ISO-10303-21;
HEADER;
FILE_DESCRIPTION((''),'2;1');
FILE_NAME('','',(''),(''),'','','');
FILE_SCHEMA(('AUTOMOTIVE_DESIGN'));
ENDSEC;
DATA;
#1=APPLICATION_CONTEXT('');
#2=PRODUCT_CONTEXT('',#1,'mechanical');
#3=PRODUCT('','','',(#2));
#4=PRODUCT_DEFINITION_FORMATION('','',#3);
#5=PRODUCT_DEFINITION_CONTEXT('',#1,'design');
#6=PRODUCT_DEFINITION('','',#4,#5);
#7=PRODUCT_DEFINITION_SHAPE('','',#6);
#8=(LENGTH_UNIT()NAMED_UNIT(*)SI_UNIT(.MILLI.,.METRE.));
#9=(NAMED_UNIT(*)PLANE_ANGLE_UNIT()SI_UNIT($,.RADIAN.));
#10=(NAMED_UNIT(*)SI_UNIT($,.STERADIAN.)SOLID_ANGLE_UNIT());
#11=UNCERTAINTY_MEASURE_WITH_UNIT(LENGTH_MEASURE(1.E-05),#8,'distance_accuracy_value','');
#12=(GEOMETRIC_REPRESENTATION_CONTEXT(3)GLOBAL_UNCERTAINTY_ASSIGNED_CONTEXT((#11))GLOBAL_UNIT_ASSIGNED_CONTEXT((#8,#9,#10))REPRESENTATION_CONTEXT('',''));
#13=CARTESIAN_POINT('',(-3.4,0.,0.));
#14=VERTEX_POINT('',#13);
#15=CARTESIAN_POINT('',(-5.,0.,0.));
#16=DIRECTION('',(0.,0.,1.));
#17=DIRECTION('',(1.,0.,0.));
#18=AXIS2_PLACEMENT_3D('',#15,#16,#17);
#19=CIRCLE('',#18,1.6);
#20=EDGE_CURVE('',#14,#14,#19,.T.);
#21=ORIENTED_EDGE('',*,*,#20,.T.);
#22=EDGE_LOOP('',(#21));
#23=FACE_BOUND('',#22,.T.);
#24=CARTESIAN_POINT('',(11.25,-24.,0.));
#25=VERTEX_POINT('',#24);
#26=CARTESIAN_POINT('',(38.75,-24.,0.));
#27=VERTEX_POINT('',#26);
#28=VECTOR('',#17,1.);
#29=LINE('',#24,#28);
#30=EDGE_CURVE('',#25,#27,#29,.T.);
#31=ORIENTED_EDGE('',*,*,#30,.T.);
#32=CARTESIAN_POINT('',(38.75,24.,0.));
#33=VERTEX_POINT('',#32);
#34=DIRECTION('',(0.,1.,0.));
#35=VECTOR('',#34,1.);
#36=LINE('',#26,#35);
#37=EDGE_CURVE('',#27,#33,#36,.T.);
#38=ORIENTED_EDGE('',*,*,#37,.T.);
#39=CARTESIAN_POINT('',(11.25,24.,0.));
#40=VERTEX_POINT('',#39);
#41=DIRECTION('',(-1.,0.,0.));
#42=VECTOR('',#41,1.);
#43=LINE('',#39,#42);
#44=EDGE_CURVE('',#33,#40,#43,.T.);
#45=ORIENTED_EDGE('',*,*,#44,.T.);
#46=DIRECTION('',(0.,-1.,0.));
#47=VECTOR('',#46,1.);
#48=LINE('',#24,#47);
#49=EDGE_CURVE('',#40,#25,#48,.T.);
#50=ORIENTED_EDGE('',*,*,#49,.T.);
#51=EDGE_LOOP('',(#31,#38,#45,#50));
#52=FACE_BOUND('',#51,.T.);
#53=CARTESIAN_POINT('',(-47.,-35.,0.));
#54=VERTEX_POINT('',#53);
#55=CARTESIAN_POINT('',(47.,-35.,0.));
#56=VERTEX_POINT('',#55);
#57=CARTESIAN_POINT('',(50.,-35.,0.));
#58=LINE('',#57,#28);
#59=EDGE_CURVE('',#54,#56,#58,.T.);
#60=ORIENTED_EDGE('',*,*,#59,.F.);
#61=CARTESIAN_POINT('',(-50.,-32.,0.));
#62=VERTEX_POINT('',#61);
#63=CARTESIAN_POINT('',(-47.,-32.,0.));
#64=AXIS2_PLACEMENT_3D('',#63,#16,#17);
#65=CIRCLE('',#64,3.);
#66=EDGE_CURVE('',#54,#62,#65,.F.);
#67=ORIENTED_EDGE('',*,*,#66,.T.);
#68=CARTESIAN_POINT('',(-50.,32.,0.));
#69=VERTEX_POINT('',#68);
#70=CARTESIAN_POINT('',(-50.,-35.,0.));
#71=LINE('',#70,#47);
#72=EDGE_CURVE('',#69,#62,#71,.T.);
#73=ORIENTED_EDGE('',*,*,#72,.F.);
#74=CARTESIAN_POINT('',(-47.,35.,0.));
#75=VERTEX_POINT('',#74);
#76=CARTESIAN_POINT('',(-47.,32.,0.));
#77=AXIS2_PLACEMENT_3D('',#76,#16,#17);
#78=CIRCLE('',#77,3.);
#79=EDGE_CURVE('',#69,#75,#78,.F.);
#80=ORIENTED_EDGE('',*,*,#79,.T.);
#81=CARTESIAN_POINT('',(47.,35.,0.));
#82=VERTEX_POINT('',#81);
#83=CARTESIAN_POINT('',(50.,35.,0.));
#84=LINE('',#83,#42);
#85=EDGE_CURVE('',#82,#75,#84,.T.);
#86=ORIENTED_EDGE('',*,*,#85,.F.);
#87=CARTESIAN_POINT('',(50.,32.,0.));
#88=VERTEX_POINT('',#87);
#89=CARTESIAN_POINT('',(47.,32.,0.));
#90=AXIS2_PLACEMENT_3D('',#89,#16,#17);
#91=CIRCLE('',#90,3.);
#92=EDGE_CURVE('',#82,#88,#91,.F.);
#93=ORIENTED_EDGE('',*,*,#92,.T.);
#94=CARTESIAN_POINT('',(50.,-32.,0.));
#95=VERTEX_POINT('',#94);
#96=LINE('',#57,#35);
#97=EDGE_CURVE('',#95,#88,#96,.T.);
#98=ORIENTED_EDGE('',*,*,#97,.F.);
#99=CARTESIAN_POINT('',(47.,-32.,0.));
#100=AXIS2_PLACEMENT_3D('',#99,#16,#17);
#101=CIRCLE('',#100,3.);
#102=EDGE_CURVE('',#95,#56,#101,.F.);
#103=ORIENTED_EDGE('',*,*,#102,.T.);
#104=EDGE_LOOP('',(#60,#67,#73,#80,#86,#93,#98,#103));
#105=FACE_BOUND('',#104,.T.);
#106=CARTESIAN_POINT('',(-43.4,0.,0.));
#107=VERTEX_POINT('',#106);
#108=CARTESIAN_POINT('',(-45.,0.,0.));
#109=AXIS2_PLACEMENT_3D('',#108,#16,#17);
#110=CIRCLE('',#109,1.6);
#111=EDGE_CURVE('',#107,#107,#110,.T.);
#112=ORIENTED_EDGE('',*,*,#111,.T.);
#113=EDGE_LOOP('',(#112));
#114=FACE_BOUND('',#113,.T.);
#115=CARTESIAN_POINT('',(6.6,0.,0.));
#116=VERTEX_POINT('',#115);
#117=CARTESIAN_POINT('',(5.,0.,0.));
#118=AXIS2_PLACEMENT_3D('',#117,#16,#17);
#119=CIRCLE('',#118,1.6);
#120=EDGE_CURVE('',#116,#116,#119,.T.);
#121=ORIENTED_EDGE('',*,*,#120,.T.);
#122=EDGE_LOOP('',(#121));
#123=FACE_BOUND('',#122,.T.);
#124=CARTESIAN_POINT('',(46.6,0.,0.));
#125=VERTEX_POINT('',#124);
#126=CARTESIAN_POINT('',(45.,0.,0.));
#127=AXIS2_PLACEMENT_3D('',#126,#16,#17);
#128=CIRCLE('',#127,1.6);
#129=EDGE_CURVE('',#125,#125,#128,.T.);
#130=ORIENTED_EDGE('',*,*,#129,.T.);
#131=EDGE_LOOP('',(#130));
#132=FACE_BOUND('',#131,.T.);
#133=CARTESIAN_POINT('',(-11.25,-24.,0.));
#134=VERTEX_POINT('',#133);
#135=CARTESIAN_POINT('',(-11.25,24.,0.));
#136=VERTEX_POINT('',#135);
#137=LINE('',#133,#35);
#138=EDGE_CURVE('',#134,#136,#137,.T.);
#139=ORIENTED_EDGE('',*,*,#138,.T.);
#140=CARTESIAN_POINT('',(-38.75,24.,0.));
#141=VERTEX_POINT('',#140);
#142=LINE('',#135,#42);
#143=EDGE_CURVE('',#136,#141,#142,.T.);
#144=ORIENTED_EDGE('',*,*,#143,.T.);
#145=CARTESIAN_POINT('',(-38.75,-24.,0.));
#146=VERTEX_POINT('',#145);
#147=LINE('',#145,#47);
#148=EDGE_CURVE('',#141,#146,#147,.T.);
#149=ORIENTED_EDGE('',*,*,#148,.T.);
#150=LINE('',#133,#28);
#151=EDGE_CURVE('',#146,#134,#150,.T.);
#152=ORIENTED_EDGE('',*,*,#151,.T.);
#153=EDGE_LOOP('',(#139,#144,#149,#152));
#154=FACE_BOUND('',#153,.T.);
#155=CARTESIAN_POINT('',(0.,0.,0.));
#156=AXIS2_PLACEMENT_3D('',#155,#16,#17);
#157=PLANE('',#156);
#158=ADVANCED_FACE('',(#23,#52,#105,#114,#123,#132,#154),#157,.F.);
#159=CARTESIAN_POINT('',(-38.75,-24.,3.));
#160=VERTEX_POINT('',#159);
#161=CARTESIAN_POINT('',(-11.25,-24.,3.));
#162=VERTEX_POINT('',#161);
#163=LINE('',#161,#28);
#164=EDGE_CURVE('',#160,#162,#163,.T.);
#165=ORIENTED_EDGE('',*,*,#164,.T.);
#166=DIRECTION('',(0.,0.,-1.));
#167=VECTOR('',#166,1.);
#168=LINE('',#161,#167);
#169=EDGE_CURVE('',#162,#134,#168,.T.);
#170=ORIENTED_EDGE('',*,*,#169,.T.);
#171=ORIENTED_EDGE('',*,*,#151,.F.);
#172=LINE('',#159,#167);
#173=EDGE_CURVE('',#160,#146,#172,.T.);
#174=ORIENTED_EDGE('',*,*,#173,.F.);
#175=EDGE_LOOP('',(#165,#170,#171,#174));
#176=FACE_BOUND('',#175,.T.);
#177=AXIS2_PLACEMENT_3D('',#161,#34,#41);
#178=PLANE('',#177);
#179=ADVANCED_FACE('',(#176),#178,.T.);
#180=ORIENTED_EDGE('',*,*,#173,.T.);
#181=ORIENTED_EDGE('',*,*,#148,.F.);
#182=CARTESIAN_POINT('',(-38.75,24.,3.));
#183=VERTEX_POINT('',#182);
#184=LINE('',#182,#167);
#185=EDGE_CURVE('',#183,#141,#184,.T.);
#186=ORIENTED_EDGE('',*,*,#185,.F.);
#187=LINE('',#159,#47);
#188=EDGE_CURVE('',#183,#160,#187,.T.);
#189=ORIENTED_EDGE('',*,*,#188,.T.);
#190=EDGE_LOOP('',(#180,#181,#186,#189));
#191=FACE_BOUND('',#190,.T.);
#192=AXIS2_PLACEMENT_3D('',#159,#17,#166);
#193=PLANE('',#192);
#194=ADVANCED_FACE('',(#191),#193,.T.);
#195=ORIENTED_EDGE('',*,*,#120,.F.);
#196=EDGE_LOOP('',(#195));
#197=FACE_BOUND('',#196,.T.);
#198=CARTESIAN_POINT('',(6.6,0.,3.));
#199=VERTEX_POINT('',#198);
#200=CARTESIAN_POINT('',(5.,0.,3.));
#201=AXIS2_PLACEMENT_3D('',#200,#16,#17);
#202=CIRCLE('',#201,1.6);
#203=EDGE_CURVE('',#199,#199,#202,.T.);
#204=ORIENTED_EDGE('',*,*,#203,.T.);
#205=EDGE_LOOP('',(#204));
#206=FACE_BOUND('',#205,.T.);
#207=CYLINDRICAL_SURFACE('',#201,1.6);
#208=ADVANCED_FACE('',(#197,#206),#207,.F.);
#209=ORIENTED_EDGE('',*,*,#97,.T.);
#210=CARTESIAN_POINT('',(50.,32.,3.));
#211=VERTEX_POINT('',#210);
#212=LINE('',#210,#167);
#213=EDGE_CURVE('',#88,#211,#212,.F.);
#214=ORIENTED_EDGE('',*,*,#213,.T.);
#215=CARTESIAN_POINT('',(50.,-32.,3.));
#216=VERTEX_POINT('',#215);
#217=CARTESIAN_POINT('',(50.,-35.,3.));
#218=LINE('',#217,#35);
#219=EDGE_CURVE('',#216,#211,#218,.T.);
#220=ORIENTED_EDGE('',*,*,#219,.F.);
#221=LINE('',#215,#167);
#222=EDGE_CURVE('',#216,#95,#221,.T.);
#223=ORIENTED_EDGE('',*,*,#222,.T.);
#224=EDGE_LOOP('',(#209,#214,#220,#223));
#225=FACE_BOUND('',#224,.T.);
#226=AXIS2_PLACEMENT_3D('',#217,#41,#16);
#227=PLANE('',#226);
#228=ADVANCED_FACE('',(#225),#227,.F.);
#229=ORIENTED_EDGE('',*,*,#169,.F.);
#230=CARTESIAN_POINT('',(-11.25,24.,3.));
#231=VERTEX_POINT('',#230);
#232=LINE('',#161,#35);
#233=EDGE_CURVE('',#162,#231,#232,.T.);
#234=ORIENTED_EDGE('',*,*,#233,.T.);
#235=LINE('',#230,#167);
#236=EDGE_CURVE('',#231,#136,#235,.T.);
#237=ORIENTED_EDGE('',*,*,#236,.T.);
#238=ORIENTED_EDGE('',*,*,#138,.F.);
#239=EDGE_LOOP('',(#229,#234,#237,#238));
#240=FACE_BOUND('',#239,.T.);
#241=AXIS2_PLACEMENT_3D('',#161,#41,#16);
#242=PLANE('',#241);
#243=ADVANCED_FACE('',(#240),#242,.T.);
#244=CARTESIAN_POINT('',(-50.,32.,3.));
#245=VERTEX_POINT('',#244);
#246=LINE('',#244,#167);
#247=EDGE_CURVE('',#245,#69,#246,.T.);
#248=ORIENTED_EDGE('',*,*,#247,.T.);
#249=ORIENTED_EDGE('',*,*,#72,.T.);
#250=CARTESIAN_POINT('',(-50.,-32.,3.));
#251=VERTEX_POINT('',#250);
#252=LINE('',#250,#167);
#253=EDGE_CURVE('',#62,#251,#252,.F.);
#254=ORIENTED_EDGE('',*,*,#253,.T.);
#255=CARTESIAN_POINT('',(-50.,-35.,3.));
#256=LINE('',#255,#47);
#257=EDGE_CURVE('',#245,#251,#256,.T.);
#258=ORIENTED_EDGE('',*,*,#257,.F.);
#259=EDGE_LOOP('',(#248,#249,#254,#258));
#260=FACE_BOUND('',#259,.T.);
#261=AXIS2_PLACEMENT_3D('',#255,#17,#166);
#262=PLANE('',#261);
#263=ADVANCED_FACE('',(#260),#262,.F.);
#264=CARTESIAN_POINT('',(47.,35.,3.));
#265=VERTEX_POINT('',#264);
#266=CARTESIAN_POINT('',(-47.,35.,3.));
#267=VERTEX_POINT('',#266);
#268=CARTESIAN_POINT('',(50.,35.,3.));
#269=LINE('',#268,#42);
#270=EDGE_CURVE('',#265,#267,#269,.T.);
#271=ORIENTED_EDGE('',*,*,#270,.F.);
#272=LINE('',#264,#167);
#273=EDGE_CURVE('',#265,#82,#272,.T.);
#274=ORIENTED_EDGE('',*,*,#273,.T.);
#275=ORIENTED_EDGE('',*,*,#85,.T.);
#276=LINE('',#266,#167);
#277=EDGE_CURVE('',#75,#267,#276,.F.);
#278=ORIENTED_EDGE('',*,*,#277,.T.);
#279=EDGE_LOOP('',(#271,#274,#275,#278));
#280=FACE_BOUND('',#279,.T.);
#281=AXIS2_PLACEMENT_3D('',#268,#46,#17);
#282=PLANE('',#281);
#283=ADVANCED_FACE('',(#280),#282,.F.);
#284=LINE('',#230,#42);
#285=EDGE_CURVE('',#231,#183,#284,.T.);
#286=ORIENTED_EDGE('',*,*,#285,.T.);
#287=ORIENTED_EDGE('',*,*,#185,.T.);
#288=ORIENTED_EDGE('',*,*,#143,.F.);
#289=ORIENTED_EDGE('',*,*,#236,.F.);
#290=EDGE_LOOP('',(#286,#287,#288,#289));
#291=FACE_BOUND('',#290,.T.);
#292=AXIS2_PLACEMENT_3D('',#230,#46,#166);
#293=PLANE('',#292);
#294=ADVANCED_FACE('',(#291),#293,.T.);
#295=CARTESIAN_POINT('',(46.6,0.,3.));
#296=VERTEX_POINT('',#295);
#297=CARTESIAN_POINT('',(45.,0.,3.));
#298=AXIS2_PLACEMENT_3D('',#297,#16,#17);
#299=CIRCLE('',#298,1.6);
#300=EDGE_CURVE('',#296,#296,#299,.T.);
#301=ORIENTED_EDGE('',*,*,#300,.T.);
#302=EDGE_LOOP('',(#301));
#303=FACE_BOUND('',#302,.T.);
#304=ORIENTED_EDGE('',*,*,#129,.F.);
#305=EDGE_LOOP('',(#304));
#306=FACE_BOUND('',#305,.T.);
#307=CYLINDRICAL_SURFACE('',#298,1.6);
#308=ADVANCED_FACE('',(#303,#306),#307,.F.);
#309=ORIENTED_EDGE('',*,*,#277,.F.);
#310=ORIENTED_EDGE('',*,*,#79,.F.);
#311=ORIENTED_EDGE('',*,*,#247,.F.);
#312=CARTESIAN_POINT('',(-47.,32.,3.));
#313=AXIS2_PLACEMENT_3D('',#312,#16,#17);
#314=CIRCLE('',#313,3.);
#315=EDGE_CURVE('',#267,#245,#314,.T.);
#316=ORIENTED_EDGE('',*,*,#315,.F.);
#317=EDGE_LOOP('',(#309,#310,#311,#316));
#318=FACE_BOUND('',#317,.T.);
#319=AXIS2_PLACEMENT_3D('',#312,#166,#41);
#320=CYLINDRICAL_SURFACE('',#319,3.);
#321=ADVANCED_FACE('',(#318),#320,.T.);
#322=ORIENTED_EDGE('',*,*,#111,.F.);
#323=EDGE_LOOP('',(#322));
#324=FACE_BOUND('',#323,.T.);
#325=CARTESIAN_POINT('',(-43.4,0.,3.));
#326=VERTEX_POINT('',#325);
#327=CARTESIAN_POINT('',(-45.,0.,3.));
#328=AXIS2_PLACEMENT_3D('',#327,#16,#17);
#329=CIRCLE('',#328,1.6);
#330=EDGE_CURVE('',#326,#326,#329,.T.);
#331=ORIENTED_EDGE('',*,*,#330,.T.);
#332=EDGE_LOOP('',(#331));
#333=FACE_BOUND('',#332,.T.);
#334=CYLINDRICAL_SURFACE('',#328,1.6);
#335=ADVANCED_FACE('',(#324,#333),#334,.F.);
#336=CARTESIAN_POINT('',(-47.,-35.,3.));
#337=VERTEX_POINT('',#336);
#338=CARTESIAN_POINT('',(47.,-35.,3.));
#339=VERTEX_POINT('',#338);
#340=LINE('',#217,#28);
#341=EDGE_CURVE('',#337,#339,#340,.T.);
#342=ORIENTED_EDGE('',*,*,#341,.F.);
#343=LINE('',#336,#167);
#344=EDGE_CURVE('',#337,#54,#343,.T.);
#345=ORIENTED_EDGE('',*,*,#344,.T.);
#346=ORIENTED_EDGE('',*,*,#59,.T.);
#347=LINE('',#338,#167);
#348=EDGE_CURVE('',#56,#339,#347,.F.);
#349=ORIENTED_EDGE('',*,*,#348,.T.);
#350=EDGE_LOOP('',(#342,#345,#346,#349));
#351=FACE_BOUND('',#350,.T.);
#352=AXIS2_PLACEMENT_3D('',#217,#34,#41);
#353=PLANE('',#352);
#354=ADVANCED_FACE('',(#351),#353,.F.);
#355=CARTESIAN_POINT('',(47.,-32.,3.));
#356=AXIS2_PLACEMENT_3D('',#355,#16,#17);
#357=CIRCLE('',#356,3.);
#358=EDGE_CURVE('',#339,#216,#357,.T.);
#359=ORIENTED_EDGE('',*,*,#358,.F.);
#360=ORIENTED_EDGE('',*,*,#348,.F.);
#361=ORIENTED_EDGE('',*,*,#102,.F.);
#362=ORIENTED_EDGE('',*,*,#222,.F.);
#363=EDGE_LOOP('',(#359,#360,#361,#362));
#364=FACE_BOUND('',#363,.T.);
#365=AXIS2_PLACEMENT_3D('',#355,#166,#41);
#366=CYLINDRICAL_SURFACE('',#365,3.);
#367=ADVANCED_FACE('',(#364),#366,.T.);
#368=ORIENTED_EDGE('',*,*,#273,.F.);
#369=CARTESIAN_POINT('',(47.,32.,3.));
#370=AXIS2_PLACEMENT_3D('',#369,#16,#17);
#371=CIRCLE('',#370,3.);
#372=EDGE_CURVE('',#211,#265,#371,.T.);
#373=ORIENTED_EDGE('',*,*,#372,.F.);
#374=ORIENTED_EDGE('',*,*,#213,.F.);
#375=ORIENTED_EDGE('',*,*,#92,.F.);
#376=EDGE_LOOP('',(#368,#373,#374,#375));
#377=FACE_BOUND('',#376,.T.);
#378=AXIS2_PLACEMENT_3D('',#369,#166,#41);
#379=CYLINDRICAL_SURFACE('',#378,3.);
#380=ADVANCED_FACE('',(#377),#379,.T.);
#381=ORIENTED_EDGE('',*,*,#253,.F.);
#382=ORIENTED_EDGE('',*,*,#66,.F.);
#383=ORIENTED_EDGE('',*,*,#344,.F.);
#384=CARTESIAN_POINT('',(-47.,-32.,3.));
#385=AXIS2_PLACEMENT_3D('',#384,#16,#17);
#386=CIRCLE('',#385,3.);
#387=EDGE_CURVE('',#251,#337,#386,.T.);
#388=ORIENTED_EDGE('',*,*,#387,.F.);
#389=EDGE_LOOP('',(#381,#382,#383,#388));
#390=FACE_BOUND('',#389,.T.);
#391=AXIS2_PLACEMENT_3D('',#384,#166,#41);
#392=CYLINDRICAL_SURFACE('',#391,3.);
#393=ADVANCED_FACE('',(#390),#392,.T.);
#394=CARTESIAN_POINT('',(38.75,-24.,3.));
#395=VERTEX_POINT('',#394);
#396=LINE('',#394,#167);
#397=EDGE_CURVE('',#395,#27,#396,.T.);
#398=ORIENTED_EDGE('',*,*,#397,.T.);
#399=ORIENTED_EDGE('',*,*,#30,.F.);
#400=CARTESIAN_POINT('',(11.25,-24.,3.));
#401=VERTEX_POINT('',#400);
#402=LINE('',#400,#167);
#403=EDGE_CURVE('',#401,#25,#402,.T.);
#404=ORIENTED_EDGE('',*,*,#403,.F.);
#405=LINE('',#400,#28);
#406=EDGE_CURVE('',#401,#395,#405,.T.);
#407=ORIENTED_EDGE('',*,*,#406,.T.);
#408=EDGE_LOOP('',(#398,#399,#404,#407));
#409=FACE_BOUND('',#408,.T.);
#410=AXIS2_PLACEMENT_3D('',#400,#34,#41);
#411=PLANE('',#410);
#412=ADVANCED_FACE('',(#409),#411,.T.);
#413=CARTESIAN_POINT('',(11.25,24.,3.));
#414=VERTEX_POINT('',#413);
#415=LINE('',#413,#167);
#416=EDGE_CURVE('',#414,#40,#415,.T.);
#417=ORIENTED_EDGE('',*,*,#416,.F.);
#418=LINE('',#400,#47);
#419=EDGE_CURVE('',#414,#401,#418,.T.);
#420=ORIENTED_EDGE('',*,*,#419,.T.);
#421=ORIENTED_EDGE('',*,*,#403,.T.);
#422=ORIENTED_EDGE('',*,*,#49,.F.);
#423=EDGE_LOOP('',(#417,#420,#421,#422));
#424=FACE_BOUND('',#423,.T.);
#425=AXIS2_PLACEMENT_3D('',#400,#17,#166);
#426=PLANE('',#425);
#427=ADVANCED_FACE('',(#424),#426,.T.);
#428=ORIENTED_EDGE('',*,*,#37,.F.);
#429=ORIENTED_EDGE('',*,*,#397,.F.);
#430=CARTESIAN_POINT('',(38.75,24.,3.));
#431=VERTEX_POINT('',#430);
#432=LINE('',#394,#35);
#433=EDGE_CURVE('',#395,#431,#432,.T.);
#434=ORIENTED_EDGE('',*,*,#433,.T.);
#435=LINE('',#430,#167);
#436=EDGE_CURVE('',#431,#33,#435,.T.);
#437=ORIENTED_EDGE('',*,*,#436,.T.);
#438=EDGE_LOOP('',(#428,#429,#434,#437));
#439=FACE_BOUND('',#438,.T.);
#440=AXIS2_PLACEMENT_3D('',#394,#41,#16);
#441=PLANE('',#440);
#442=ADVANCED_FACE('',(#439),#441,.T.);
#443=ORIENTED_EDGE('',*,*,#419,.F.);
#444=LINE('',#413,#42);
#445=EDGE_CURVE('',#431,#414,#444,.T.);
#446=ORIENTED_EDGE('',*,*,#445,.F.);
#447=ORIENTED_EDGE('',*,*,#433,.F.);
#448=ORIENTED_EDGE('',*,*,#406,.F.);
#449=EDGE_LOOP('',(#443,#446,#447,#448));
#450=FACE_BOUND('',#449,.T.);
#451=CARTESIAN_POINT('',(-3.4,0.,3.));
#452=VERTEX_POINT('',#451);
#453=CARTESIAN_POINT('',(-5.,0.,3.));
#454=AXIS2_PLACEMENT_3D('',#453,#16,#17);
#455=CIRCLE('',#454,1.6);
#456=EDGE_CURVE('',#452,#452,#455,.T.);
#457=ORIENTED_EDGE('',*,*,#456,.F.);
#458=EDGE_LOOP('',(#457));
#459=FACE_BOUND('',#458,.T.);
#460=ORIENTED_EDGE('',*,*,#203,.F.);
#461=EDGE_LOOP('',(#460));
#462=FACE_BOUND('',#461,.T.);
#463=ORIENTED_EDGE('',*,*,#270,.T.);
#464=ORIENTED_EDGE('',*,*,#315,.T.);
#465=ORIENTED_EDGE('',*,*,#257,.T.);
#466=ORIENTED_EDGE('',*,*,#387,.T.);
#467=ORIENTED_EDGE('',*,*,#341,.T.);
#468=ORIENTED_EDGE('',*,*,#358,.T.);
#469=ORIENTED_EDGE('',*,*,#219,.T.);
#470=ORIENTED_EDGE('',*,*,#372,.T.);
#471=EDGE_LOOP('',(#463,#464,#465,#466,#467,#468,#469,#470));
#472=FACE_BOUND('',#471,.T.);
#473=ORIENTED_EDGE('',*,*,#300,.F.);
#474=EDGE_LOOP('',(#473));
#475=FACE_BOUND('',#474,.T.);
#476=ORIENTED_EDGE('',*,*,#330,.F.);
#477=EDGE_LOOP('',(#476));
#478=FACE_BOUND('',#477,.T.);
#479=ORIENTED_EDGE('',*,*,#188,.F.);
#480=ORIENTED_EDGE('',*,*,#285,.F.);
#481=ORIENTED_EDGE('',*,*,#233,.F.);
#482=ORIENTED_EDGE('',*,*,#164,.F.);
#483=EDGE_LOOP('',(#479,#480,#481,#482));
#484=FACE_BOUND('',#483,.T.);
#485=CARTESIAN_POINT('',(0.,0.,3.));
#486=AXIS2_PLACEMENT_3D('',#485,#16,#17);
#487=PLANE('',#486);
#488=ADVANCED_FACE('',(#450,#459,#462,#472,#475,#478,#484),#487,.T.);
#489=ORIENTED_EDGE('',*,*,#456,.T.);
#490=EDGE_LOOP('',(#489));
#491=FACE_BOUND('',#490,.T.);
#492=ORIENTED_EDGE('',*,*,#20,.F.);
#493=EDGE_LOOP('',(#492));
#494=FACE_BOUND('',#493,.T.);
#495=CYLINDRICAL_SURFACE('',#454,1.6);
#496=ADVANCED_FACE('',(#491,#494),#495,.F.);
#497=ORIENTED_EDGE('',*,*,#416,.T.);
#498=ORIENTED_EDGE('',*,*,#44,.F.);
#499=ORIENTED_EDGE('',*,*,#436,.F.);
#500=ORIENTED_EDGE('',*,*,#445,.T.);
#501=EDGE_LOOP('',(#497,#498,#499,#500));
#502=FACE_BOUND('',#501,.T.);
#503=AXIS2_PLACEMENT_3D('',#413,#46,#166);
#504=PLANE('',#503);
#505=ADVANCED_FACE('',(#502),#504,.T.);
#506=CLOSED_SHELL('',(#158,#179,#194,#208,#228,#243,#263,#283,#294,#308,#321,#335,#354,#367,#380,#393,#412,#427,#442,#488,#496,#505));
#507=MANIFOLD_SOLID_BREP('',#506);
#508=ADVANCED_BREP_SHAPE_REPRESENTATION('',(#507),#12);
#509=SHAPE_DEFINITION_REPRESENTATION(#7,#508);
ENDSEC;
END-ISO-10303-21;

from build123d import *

# Parameters (mm, degrees)
SKETCH1_W            = 100
SKETCH1_H            = 70
SKETCH1_W_2          = 27.5
SKETCH1_H_2          = 48
BOSS_EXTRUDE1_DEPTH  = 3
M3_CLEARANCE_HOLE1_D = 3.2
FILLET1_R            = 3


with BuildPart() as part:
    # Sketch1 → Boss-Extrude1 (new body)
    with BuildSketch(Plane.XY):
        Rectangle(SKETCH1_W, SKETCH1_H)
        with Locations((-25, 0)):
            Rectangle(SKETCH1_W_2, SKETCH1_H_2, mode=Mode.SUBTRACT)
        with Locations((25, 0)):
            Rectangle(SKETCH1_W_2, SKETCH1_H_2, mode=Mode.SUBTRACT)
    extrude(amount=BOSS_EXTRUDE1_DEPTH)

    # M3 Clearance Hole1 (through all)
    with Locations(Plane.XY.offset(3)):
        with Locations((-45, 0), (-5, 0), (45, 0), (5, 0)):
            Hole(M3_CLEARANCE_HOLE1_D / 2)

    # Fillet1
    fillet1_edges = [part.edges().sort_by_distance(p)[0] for p in [
        (-50, 35, 1.5),
        (50, 35, 1.5),
        (50, -35, 1.5),
        (-50, -35, 1.5),
    ]]
    fillet(fillet1_edges, radius=FILLET1_R)


solid = part.part
